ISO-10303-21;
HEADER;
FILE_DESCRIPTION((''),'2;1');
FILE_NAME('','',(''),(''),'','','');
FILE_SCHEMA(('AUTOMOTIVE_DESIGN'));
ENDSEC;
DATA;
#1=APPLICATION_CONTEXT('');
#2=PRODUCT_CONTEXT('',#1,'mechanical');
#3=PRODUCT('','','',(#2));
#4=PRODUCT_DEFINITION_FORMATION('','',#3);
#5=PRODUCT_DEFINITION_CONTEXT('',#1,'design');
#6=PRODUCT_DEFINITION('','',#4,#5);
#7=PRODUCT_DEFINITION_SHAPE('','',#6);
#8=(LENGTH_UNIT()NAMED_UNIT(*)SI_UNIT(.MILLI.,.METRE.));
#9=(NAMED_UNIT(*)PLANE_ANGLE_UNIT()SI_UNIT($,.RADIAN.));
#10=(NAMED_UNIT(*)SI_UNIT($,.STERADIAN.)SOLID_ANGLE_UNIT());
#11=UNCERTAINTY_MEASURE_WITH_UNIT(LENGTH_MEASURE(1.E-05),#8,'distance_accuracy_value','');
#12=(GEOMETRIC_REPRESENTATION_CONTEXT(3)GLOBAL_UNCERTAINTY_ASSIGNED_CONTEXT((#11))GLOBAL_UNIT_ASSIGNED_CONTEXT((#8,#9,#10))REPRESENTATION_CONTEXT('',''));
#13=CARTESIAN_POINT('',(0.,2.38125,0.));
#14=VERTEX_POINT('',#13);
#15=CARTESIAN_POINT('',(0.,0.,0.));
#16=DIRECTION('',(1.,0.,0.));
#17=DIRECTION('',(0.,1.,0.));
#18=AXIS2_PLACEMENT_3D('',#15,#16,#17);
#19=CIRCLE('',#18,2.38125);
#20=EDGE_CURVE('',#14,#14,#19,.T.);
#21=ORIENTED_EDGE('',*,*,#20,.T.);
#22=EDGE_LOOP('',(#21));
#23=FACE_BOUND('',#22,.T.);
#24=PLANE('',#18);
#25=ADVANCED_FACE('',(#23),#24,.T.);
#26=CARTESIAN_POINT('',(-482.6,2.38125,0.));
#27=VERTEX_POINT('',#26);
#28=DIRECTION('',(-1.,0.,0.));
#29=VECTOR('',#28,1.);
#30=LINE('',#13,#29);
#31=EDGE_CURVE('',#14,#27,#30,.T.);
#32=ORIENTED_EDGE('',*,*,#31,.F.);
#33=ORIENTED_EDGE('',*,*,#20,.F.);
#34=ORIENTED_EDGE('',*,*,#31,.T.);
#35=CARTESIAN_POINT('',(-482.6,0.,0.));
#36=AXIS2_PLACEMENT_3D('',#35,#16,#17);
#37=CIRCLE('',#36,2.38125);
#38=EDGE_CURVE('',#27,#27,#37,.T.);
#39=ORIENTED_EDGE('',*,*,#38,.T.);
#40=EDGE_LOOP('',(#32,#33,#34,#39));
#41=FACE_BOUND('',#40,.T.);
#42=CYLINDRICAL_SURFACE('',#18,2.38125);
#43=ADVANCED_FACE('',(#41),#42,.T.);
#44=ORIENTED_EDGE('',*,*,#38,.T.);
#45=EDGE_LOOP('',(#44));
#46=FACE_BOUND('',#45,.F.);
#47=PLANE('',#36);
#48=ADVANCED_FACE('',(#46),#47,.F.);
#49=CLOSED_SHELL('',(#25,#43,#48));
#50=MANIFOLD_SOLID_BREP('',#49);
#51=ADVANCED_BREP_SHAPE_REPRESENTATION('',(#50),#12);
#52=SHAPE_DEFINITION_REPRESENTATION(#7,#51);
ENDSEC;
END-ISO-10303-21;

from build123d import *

# Parameters (mm, degrees)
F0_R     = 2.38125
F1_DEPTH = 482.6
F2_R     = 6.096
F2_R_2   = 1.5875
F3_DEPTH = 3.175


with BuildPart() as f1:
    # F0 (on Right) → F1 (new body)
    with BuildSketch(Plane.YZ):
        Circle(F0_R)
    extrude(amount=-F1_DEPTH)


with BuildPart() as f3:
    # F2 (on Right) → F3 (new body)
    with BuildSketch(Plane.YZ):
        with Locations((-50.084271, 0)):
            Circle(F2_R)
        with Locations((-50.084271, 0)):
            Circle(F2_R_2, mode=Mode.SUBTRACT)
    extrude(amount=-F3_DEPTH)


solid = f1.part
